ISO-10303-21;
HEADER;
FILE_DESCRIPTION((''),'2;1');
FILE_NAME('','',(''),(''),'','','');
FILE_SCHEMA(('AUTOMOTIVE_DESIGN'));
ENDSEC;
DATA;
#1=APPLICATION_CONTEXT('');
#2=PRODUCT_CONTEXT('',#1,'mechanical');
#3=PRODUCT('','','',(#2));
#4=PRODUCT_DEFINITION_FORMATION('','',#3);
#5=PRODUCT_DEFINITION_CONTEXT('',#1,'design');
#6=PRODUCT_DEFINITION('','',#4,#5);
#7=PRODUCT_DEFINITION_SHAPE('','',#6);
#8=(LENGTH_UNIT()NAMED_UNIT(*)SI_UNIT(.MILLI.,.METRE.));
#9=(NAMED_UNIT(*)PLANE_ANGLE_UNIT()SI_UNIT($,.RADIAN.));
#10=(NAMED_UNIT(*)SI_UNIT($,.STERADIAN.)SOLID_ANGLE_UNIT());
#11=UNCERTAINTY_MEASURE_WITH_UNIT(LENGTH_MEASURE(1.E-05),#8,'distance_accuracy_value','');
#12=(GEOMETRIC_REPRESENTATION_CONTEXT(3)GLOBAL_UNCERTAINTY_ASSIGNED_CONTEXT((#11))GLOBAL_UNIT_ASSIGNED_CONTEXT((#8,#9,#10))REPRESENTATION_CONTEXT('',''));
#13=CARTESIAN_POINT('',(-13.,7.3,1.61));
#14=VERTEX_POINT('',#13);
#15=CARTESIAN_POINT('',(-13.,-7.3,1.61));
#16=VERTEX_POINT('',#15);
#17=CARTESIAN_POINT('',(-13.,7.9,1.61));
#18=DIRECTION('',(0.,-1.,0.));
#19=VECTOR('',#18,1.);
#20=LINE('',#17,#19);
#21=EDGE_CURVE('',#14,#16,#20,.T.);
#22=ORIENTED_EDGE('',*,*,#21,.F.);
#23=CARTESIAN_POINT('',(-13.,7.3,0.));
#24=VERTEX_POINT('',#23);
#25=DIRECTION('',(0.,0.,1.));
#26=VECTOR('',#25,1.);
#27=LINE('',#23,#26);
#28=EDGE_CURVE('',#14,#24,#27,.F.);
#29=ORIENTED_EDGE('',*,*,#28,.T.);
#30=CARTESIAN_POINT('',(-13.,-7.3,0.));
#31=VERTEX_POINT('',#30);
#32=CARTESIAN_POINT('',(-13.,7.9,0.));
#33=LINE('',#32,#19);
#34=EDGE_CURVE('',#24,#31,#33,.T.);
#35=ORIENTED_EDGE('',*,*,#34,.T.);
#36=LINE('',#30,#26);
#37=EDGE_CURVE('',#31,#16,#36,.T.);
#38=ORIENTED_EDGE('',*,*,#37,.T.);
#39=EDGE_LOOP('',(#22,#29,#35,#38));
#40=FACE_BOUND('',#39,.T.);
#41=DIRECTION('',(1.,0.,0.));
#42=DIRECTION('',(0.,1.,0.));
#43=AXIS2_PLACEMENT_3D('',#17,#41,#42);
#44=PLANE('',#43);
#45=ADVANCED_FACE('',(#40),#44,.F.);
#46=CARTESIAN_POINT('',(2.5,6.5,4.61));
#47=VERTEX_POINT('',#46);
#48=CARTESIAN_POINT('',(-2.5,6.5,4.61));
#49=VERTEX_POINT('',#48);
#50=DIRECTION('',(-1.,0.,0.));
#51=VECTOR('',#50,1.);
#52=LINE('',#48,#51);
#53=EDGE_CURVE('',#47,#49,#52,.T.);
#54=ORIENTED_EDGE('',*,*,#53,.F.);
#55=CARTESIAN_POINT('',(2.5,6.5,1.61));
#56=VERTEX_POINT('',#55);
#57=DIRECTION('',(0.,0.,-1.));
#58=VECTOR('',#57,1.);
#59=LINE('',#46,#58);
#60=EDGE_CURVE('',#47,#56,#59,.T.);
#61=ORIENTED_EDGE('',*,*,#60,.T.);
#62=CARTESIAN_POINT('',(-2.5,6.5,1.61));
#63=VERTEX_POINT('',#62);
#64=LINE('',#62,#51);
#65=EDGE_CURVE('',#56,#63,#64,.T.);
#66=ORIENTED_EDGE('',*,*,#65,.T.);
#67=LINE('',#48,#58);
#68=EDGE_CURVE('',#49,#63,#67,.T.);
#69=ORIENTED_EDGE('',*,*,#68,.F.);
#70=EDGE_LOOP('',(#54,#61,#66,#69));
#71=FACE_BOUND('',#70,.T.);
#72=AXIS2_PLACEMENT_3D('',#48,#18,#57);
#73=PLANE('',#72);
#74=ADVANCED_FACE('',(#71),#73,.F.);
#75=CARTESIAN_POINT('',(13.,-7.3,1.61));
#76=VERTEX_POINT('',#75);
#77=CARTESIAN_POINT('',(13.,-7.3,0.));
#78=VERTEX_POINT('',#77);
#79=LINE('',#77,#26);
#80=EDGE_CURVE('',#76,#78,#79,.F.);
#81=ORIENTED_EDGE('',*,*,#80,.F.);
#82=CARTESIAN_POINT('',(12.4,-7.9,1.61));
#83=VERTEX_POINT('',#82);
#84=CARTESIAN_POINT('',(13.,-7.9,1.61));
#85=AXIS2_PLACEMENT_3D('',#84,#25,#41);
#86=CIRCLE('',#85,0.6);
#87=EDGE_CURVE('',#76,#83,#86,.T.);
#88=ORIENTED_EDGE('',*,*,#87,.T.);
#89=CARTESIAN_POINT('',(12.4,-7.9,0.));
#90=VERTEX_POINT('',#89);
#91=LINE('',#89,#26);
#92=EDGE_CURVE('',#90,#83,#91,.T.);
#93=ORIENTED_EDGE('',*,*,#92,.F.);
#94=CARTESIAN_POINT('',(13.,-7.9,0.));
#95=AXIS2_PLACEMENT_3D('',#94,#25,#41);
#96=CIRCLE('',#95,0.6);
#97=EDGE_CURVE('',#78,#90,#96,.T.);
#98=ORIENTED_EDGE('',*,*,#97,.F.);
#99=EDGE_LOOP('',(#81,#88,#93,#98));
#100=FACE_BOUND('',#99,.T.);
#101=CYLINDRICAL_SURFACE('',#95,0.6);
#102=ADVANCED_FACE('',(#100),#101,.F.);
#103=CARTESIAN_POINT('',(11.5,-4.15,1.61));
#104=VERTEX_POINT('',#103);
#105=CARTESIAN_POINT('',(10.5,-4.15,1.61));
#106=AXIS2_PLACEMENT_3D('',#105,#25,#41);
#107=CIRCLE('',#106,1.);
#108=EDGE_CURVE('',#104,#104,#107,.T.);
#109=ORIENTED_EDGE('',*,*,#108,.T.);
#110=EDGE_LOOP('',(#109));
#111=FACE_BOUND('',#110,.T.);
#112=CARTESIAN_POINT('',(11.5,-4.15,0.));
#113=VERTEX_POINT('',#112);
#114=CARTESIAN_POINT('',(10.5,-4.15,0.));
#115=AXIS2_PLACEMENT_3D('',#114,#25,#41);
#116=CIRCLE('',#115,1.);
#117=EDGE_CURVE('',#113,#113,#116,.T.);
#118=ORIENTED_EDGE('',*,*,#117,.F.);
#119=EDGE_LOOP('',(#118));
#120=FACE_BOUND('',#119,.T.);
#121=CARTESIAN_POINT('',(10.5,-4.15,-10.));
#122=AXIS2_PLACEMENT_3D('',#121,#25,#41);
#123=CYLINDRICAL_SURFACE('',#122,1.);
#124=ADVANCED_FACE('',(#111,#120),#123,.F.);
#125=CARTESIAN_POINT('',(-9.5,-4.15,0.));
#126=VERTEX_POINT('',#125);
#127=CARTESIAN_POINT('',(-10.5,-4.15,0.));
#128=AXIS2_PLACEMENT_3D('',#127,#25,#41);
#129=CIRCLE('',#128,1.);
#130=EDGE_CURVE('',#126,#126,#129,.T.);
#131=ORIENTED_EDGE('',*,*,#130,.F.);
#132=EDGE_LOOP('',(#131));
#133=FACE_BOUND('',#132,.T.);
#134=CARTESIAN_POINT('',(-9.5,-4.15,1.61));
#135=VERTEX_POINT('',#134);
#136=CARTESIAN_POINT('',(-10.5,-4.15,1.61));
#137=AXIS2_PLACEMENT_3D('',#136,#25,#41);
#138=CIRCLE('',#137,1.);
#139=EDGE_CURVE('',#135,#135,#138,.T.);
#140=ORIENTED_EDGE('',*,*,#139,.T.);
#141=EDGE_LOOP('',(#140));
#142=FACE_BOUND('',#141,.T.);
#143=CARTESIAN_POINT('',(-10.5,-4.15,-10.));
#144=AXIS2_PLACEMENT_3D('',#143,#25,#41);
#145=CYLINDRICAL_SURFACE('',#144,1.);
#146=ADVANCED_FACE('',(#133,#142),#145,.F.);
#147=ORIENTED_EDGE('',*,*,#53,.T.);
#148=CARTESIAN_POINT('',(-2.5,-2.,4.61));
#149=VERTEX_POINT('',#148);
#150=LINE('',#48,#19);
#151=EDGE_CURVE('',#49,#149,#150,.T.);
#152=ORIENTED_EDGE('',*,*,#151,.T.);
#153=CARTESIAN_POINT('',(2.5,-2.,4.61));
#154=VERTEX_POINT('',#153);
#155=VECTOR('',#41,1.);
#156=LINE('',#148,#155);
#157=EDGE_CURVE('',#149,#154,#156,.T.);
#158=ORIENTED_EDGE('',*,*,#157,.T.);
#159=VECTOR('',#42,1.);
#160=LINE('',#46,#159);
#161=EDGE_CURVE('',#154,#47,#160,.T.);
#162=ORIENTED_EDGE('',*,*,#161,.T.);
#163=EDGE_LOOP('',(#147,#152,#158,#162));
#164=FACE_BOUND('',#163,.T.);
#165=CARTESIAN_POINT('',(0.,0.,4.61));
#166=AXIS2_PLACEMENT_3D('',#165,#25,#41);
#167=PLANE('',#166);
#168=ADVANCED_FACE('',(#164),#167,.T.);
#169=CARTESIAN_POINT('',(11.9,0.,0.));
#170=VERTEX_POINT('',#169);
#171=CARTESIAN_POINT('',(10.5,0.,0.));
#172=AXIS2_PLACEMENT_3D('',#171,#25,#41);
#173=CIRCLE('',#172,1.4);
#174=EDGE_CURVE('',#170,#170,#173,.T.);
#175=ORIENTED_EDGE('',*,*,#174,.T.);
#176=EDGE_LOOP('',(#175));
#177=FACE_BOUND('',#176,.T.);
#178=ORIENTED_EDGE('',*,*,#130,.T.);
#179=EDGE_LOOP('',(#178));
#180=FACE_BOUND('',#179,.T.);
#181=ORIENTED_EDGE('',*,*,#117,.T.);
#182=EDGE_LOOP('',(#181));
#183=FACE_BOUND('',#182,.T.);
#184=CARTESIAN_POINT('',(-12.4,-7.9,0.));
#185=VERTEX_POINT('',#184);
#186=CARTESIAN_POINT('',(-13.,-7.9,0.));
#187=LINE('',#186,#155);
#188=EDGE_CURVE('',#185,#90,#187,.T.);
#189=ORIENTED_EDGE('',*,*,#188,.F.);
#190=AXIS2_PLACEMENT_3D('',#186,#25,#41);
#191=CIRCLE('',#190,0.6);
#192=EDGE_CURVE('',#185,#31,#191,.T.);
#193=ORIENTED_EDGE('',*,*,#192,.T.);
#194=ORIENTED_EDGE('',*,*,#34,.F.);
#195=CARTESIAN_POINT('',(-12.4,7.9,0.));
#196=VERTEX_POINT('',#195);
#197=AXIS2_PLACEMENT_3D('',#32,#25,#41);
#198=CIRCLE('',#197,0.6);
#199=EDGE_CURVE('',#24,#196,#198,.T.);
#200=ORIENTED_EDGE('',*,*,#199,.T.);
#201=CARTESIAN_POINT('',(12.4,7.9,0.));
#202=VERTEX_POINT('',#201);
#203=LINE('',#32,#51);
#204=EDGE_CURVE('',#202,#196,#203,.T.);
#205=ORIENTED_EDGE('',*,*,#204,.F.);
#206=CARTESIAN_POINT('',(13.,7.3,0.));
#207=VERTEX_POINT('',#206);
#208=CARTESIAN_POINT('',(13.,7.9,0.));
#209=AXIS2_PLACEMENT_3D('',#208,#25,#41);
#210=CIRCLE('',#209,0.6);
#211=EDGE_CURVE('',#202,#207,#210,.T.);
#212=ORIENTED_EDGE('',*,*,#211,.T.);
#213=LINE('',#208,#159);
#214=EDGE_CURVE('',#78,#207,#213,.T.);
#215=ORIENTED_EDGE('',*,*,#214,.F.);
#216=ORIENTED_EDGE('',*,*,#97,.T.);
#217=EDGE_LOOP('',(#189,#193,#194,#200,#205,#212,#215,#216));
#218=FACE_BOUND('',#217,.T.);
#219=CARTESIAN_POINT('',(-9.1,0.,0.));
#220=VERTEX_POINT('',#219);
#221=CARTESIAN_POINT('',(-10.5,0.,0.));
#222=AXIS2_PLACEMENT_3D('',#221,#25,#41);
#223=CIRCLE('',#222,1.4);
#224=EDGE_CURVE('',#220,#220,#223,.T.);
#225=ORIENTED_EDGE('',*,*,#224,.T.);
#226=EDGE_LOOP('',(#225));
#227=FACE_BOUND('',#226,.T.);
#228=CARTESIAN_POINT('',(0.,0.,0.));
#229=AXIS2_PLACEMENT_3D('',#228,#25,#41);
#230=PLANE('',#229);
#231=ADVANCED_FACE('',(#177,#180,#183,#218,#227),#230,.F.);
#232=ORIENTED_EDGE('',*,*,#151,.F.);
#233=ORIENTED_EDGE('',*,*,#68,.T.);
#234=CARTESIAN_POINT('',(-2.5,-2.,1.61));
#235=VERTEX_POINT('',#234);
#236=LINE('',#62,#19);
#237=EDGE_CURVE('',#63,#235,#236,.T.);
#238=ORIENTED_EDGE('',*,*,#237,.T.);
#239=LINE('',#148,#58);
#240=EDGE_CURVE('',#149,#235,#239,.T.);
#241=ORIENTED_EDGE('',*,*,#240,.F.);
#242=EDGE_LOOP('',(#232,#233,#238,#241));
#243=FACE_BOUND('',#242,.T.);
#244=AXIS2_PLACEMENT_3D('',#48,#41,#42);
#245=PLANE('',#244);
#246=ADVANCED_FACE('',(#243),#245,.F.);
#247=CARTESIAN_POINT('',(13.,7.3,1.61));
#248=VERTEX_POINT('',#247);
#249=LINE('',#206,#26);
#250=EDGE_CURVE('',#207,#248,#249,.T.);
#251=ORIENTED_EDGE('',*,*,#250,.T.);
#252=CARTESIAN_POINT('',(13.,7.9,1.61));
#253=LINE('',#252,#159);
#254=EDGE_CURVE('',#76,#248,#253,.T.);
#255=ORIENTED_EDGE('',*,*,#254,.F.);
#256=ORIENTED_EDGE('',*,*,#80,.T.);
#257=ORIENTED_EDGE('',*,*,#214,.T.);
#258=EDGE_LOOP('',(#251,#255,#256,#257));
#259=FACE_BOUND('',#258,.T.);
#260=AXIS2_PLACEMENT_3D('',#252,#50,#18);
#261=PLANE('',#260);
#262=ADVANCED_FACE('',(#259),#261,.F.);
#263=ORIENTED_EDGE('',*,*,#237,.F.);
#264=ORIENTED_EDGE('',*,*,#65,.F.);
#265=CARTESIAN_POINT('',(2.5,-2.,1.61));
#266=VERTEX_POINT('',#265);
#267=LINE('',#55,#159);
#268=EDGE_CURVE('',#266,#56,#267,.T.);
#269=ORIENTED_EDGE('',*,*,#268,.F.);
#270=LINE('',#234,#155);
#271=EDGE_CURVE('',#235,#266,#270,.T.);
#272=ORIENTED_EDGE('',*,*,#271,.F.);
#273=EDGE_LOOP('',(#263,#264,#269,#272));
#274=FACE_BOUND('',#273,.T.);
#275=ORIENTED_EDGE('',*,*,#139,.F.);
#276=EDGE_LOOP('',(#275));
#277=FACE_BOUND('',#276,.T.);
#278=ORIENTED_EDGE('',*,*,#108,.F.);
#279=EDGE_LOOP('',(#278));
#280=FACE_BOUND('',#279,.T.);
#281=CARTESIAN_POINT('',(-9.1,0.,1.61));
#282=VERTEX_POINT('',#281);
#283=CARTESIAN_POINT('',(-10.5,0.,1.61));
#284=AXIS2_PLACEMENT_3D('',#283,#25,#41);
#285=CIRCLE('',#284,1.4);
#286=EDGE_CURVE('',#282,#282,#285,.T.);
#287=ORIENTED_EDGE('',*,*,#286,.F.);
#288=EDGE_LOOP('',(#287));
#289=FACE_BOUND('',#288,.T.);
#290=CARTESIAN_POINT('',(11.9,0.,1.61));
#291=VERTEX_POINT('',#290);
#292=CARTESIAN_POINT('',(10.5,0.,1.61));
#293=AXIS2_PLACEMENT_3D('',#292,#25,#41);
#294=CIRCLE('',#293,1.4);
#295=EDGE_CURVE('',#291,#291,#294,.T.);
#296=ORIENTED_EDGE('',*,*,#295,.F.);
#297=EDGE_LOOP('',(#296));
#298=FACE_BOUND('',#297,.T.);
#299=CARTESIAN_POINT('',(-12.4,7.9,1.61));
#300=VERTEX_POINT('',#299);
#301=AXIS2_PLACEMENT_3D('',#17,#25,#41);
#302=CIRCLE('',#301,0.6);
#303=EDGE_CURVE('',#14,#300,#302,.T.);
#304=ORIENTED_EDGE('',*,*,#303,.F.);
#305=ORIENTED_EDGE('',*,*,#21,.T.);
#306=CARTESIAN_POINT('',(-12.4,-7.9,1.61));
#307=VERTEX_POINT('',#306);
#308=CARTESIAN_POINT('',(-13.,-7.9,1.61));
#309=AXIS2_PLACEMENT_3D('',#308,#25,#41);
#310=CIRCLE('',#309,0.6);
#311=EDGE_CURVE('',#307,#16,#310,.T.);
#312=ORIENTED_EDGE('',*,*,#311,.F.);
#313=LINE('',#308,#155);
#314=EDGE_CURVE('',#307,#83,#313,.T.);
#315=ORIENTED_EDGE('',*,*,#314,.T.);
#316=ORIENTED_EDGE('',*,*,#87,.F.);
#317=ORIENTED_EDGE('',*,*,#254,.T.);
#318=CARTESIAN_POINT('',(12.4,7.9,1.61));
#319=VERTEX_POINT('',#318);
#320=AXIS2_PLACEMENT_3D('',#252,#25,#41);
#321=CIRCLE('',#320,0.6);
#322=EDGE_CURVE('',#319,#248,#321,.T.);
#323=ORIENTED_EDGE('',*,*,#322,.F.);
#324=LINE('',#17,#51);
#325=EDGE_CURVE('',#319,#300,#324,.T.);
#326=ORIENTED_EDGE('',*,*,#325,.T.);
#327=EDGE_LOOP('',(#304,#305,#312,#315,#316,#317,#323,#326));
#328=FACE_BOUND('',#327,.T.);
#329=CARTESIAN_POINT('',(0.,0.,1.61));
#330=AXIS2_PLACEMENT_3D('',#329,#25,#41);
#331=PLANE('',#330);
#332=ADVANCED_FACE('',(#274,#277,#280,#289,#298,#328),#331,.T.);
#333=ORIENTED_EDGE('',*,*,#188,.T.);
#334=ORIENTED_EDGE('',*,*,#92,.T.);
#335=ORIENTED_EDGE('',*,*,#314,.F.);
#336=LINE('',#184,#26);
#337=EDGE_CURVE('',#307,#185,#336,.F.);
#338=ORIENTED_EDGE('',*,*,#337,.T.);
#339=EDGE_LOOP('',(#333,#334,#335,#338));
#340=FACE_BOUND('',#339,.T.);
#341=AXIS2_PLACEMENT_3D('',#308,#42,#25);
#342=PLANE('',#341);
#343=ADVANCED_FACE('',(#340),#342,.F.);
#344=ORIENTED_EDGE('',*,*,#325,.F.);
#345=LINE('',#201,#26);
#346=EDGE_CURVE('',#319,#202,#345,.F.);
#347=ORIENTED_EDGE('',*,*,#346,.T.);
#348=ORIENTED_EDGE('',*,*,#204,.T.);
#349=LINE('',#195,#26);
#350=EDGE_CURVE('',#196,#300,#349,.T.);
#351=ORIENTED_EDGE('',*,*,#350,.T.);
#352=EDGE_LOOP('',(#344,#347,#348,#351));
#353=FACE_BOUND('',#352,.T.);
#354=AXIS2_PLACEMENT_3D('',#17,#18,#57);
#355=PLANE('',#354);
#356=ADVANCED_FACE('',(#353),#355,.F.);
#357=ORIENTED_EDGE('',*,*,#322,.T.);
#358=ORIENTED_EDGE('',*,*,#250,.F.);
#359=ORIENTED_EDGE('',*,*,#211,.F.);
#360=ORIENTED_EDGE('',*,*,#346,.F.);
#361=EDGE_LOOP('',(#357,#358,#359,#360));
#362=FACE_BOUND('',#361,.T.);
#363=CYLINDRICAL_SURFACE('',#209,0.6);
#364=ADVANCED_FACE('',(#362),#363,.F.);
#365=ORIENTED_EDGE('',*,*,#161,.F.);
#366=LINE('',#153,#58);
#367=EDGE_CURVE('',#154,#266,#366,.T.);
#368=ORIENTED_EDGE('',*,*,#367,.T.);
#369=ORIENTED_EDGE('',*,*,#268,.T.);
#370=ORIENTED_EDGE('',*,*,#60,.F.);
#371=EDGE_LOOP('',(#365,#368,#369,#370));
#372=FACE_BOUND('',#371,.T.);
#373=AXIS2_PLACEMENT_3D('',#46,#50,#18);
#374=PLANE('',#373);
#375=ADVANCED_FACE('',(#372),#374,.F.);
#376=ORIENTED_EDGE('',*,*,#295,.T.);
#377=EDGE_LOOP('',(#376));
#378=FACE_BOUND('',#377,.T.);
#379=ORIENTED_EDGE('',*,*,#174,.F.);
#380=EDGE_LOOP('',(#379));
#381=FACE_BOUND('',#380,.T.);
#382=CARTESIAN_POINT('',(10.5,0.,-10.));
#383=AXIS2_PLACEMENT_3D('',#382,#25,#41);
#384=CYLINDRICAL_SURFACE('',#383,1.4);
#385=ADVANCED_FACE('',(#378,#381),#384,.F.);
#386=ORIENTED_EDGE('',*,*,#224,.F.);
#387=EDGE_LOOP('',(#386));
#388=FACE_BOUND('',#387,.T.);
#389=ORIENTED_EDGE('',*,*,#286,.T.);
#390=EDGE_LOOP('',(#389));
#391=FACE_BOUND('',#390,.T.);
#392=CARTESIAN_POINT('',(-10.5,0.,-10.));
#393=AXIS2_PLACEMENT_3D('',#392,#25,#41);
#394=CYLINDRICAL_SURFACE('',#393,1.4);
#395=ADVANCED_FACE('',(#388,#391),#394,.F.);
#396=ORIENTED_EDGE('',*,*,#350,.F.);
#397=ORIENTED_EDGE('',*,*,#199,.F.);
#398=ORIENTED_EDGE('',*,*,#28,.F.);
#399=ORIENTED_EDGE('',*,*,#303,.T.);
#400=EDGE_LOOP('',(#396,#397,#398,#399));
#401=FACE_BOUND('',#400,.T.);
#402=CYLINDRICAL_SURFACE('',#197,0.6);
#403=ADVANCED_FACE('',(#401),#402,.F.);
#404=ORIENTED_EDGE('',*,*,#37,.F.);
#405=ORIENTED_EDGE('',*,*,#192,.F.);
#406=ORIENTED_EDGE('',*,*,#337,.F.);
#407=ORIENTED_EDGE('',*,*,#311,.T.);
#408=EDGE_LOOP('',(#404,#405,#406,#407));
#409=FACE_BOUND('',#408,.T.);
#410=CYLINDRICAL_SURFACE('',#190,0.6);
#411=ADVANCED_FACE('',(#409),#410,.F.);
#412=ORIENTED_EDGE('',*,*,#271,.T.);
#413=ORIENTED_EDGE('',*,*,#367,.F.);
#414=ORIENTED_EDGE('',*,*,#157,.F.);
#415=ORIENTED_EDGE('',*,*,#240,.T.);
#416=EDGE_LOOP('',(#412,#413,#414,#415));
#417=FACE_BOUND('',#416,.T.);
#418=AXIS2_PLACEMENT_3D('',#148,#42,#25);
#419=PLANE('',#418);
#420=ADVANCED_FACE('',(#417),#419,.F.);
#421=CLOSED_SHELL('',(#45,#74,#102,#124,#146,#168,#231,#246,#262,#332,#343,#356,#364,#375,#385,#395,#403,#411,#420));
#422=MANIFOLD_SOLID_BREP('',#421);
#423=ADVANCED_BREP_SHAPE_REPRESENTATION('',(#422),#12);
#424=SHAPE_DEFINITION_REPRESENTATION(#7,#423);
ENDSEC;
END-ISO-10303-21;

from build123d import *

# Parameters (mm, degrees)
SKETCH1_W           = 26
SKETCH1_H           = 15.8
BOSS_EXTRUDE1_DEPTH = 1.61
SKETCH2_R           = 0.6
CUT_EXTRUDE1_DEPTH  = 1.61
SKETCH3_R           = 1.4
SKETCH3_R_2         = 1
CUT_EXTRUDE2_DEPTH  = 11.61
SKETCH4_W           = 5
SKETCH4_H           = 8.5
BOSS_EXTRUDE2_DEPTH = 3


with BuildPart() as part:
    # Sketch1 → Boss-Extrude1 (new body)
    with BuildSketch(Plane.XY):
        Rectangle(SKETCH1_W, SKETCH1_H)
    extrude(amount=BOSS_EXTRUDE1_DEPTH)

    # Sketch2 → Cut-Extrude1 (cut)
    with BuildSketch(Plane.XY.offset(1.61)):
        with Locations((-13, 7.9)):
            Circle(SKETCH2_R)
        with Locations((-13, -7.9)):
            Circle(SKETCH2_R)
        with Locations((13, -7.9)):
            Circle(SKETCH2_R)
        with Locations((13, 7.9)):
            Circle(SKETCH2_R)
    extrude(amount=-CUT_EXTRUDE1_DEPTH, mode=Mode.SUBTRACT)

    # Sketch3 → Cut-Extrude2 (cut)
    with BuildSketch(Plane.XY.offset(1.61)):
        with Locations((-10.5, 0)):
            Circle(SKETCH3_R)
        with Locations((10.5, 0)):
            Circle(SKETCH3_R)
        with Locations((-10.5, -4.15)):
            Circle(SKETCH3_R_2)
        with Locations((10.5, -4.15)):
            Circle(SKETCH3_R_2)
    extrude(amount=-CUT_EXTRUDE2_DEPTH, mode=Mode.SUBTRACT)

    # Sketch4 → Boss-Extrude2 (add)
    with BuildSketch(Plane.XY.offset(1.61)):
        with Locations((0, 2.25)):
            Rectangle(SKETCH4_W, SKETCH4_H)
    extrude(amount=BOSS_EXTRUDE2_DEPTH)


solid = part.part
